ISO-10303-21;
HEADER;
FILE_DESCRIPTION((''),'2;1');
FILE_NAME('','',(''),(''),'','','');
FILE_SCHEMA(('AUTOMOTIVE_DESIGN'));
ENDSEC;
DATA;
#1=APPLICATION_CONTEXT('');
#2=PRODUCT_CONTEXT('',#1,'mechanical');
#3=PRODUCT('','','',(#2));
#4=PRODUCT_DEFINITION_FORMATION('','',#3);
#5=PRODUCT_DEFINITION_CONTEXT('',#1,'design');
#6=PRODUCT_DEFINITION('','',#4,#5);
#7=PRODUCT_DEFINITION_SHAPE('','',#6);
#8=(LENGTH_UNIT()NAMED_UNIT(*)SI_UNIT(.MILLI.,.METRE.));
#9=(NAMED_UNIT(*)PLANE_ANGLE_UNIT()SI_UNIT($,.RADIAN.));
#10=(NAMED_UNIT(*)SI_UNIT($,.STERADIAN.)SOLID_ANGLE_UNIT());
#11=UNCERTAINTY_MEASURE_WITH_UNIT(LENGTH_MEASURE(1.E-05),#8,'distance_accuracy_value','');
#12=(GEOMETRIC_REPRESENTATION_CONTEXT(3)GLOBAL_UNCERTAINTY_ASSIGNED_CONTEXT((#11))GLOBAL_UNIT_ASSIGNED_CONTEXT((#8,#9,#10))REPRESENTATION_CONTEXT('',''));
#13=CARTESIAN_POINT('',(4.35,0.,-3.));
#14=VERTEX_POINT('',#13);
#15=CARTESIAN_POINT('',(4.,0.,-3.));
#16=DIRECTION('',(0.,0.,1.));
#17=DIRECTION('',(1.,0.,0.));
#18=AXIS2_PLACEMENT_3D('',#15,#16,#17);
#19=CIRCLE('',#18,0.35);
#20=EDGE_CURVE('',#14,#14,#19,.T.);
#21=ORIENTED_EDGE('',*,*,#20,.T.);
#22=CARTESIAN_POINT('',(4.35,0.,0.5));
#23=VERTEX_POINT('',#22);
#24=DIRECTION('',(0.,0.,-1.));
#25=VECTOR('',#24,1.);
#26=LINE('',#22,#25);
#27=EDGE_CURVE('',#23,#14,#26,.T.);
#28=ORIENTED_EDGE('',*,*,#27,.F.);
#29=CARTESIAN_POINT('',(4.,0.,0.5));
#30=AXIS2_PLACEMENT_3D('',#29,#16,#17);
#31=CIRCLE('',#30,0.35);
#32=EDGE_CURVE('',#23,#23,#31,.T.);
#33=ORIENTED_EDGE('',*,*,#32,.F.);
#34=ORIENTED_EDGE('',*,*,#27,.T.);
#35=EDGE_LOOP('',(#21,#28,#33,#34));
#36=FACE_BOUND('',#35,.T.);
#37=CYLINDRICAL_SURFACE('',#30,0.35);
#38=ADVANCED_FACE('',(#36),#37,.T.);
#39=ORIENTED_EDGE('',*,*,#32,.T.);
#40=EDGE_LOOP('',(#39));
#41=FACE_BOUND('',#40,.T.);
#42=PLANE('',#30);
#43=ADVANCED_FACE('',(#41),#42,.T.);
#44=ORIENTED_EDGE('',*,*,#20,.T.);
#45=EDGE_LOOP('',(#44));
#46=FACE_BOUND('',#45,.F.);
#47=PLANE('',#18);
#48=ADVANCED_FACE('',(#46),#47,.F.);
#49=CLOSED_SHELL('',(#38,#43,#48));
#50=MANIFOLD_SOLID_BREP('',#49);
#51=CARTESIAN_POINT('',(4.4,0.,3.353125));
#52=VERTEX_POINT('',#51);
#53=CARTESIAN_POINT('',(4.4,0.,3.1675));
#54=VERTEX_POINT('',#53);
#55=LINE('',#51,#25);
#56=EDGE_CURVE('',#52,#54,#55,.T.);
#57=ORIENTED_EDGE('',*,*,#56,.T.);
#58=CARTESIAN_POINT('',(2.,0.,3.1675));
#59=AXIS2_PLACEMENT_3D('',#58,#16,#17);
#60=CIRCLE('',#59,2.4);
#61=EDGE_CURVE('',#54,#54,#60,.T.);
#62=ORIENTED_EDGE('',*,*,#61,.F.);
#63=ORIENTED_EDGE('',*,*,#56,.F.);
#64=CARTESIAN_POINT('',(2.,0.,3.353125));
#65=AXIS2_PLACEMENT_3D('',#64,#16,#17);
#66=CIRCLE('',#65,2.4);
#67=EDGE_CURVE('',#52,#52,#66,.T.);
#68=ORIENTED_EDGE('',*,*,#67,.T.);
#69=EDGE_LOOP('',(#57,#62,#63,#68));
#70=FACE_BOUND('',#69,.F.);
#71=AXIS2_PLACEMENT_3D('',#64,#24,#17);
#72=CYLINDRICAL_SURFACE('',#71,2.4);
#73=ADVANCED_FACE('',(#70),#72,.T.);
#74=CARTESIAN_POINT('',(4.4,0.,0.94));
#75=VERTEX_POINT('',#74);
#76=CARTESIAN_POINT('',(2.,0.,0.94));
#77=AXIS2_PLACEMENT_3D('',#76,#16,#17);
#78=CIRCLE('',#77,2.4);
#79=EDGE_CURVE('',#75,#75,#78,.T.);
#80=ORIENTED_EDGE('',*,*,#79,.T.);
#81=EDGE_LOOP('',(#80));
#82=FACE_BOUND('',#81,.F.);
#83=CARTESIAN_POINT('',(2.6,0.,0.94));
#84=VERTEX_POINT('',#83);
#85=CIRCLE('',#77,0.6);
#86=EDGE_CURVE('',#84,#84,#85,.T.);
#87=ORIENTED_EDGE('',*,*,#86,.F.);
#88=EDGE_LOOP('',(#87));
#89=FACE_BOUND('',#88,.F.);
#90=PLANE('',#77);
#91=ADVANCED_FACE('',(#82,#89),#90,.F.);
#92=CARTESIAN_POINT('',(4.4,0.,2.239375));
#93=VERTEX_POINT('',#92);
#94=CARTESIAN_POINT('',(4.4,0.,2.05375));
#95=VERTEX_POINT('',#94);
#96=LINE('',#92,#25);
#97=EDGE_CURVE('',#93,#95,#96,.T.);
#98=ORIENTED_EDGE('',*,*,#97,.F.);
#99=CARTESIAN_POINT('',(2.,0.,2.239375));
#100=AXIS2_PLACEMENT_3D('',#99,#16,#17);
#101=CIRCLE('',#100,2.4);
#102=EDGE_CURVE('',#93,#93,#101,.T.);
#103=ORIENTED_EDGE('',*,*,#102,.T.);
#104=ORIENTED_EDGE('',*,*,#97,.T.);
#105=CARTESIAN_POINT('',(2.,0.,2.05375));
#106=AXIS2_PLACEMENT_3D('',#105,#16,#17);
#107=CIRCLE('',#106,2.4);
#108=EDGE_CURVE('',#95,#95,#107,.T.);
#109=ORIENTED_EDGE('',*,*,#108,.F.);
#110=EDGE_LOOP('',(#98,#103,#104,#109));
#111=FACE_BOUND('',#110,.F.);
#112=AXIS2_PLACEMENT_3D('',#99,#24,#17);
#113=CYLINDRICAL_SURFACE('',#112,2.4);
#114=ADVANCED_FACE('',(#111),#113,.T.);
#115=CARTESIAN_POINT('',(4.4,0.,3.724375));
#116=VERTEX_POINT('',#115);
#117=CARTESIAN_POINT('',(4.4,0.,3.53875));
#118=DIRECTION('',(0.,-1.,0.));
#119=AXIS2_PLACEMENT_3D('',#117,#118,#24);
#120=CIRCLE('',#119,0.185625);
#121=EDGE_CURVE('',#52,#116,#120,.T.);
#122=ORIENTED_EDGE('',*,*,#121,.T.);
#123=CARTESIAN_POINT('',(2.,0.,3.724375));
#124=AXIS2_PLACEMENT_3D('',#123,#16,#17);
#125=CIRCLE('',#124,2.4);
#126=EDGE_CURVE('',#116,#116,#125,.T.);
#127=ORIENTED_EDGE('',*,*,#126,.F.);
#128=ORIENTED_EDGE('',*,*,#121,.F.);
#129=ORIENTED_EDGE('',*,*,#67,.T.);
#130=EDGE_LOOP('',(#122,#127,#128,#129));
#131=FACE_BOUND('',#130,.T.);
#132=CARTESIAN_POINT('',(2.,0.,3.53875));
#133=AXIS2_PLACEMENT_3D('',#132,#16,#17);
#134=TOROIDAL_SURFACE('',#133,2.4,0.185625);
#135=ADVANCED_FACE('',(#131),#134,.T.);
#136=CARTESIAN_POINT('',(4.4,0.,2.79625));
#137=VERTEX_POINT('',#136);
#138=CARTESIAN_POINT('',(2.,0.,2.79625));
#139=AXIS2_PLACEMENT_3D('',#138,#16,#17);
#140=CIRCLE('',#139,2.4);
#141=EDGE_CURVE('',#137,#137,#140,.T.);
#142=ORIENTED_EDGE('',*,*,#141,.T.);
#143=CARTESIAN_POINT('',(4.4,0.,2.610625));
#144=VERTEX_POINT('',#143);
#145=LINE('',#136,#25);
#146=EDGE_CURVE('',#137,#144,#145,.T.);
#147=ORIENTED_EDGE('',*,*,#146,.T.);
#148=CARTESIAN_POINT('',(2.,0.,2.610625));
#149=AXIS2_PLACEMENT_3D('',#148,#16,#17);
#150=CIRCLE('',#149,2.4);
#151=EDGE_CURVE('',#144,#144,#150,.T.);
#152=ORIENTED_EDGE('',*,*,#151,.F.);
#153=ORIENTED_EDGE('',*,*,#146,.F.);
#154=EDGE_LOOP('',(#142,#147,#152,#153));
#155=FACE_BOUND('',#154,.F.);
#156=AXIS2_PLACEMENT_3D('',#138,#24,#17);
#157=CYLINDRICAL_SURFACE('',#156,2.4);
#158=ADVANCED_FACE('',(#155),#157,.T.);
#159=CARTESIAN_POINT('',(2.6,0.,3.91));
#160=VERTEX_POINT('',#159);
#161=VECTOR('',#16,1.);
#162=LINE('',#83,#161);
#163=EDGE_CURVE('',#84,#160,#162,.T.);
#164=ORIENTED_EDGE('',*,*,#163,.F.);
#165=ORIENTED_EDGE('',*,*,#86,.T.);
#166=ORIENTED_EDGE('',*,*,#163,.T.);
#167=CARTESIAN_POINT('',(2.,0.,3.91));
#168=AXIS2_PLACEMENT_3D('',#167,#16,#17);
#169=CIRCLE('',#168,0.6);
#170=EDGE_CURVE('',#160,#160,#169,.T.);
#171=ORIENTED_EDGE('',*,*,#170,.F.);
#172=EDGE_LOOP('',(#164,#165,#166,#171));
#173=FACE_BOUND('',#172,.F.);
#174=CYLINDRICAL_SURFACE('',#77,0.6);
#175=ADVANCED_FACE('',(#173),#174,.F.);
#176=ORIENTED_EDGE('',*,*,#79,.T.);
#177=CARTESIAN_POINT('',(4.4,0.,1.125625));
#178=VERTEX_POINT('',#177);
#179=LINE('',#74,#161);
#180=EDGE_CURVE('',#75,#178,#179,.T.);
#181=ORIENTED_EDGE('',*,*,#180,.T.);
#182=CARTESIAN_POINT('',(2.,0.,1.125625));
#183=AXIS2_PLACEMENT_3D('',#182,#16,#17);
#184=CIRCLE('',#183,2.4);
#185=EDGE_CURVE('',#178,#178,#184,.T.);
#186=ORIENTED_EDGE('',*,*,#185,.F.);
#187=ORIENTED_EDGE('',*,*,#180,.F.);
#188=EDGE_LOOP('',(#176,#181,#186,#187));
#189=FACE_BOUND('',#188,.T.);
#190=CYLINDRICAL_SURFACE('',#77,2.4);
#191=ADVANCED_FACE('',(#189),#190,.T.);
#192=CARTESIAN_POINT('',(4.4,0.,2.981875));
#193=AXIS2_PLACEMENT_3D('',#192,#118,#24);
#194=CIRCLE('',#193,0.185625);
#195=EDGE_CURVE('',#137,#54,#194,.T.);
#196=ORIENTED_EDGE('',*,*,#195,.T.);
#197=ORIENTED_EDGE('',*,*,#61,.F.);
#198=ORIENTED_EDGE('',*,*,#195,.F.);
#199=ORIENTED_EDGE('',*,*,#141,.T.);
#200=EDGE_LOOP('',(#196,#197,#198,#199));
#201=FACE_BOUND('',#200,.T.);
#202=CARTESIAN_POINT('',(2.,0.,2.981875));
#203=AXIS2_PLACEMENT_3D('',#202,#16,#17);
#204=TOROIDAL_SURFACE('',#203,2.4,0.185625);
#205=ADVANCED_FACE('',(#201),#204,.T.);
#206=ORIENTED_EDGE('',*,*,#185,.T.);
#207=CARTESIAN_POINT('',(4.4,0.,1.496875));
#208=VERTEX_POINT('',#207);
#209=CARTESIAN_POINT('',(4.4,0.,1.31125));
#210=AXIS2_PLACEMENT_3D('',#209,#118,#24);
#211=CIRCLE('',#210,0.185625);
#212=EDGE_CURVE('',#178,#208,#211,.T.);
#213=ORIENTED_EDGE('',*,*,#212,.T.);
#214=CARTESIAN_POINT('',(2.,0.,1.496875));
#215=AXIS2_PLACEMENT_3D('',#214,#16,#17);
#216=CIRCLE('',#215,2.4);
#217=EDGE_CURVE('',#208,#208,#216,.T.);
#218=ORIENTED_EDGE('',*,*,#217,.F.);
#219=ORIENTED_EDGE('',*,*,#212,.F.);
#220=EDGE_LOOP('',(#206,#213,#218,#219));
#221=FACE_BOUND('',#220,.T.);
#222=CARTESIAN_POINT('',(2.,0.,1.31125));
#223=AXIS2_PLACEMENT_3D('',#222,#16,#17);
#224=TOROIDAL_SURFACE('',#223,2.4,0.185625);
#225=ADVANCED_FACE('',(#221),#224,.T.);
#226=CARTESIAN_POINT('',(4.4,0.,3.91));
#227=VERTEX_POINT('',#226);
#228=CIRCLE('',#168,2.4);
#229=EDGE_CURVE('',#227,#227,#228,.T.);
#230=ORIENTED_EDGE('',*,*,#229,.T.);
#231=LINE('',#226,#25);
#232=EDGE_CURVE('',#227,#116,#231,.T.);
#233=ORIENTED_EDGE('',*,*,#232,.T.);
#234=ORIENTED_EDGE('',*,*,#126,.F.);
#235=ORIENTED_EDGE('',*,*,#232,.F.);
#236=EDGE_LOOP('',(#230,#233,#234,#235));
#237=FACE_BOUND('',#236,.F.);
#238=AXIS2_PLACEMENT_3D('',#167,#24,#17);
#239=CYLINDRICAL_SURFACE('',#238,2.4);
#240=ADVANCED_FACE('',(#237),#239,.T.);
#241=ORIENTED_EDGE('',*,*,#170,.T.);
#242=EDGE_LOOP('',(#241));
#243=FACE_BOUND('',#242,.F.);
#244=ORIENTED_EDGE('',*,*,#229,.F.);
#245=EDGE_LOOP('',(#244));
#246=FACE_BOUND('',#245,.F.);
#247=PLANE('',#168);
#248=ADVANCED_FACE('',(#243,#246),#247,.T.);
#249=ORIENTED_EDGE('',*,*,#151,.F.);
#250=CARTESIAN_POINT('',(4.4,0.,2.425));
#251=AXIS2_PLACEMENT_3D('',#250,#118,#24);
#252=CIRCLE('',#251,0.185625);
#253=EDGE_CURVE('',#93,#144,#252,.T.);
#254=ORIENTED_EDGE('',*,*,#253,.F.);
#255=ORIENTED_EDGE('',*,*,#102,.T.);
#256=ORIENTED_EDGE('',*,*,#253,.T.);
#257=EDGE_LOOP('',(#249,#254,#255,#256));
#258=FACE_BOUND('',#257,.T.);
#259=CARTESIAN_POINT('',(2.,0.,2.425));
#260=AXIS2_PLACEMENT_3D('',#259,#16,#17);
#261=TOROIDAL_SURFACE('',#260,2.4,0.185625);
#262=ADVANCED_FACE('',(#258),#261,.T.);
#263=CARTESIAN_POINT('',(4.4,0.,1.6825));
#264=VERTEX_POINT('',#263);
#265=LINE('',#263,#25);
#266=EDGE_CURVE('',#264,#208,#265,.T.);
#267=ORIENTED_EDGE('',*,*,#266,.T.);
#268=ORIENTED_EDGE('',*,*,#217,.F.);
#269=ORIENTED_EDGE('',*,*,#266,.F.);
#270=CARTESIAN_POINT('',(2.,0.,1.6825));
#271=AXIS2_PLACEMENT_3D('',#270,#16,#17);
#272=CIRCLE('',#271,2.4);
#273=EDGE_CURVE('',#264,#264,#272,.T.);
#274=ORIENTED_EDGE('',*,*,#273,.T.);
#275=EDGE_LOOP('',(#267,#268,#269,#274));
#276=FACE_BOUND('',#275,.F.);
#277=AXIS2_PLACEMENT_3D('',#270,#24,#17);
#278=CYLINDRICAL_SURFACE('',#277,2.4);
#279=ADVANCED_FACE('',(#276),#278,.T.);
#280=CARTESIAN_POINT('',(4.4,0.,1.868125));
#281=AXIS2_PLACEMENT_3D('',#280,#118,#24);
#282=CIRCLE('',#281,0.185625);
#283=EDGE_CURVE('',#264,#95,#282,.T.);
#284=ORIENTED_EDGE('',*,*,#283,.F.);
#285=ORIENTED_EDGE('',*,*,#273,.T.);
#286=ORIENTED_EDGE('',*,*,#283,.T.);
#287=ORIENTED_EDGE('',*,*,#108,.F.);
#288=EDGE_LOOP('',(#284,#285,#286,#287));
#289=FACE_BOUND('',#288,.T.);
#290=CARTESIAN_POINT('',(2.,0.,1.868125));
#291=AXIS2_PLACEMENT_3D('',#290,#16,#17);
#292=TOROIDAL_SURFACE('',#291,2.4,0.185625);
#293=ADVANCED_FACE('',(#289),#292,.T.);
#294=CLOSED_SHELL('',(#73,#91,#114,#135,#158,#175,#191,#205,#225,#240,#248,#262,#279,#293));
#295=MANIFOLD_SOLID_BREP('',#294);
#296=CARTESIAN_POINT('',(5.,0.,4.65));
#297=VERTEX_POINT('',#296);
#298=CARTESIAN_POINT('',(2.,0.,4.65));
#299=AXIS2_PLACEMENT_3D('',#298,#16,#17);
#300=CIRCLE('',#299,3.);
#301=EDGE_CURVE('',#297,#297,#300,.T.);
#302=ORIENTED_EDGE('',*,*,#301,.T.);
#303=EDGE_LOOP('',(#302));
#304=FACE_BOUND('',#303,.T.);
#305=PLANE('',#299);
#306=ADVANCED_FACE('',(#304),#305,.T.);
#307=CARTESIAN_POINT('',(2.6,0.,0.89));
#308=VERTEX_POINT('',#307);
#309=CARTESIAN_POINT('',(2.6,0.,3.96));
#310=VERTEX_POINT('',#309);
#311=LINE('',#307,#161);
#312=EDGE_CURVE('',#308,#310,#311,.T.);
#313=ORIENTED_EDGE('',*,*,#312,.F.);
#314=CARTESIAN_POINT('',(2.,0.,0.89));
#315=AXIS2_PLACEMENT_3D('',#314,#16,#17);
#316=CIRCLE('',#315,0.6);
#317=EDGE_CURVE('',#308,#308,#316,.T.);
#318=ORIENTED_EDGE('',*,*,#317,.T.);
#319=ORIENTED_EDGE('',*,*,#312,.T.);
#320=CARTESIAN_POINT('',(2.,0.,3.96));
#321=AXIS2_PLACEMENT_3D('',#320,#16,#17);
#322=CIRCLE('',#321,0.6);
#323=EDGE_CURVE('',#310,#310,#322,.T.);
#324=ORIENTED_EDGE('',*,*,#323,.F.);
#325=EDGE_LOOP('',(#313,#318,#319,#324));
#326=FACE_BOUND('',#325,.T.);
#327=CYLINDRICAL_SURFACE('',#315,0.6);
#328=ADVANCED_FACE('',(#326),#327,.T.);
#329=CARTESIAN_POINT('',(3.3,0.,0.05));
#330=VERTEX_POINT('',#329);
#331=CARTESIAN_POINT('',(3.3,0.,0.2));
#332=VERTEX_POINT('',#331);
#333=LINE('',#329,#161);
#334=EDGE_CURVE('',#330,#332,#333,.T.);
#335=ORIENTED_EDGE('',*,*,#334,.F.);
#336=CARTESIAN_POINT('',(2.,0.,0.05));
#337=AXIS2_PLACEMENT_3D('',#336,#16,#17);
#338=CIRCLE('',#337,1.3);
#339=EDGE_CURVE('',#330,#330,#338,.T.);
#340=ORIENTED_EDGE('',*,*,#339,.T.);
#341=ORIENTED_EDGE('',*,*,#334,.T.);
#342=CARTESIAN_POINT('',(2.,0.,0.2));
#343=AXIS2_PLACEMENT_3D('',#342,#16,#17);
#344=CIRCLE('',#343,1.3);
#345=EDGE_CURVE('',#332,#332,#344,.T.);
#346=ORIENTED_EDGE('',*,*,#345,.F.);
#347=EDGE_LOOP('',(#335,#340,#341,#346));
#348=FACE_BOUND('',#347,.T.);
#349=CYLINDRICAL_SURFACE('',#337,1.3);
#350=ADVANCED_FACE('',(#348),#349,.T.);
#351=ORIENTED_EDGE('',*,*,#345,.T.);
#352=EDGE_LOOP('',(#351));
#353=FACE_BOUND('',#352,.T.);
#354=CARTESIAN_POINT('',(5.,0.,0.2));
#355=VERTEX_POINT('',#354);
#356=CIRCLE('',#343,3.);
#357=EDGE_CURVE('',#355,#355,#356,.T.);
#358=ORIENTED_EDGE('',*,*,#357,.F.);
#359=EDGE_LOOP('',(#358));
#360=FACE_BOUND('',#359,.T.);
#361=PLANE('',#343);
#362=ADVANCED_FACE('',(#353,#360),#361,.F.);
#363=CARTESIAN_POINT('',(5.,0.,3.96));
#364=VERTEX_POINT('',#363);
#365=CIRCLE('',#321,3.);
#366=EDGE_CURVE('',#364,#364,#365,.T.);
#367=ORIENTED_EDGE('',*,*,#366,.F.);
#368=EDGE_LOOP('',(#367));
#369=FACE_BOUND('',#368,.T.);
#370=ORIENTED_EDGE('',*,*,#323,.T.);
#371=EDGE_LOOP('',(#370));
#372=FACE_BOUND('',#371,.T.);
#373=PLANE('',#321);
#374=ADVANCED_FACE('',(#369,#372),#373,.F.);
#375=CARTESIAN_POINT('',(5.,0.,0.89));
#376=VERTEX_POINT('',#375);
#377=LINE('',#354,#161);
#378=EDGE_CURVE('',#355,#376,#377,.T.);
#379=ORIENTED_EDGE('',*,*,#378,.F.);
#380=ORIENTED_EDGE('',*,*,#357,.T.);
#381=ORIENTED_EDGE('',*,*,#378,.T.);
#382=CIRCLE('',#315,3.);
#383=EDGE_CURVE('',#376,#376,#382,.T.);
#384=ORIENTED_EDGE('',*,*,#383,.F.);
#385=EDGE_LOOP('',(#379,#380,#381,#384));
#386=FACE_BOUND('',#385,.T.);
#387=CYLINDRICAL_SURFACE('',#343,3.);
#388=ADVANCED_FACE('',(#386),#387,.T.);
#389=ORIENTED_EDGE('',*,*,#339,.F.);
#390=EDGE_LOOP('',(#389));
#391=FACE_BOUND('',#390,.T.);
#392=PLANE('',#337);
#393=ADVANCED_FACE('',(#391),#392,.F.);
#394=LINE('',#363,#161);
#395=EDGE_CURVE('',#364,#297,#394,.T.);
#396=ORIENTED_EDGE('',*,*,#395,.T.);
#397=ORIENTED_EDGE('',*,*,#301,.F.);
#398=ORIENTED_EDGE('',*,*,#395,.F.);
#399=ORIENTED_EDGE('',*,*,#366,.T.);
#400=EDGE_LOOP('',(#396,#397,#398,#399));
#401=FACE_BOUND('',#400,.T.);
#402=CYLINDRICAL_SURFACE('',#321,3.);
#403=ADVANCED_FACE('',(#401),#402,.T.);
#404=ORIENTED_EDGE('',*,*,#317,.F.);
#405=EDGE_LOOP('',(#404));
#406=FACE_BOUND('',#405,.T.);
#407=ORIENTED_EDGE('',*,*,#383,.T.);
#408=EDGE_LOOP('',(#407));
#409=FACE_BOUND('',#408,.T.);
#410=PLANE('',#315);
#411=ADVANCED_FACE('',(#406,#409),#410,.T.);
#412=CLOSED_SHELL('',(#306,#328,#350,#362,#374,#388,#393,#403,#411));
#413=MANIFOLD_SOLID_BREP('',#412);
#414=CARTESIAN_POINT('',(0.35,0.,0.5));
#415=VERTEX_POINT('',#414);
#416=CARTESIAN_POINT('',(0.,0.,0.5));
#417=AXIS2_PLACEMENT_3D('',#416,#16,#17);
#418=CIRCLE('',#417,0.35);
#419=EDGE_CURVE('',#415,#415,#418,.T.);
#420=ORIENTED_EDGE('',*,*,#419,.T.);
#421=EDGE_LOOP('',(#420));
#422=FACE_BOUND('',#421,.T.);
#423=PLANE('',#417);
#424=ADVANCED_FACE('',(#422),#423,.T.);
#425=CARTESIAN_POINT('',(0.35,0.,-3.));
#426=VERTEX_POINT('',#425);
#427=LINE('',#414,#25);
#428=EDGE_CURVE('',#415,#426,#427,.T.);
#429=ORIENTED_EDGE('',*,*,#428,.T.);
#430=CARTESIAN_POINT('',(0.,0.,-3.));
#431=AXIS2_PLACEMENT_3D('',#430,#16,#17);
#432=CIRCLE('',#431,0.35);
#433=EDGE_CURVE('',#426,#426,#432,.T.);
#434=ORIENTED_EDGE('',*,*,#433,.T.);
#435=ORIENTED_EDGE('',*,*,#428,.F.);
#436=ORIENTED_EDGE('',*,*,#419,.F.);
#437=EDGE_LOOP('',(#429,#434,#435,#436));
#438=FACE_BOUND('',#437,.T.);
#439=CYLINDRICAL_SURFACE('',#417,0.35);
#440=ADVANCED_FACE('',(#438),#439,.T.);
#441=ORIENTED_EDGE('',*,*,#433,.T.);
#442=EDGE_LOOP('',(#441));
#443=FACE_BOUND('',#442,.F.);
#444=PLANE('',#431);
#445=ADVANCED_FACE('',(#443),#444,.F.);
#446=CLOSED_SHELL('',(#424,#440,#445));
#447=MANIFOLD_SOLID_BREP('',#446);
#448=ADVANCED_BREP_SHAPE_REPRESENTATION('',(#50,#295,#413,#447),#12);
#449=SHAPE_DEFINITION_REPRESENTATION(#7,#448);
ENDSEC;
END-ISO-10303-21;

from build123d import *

# Parameters (mm, degrees)
SKETCH001_R  = 0.35
PAD001_DEPTH = 3.5


with BuildPart() as pad001:
    # Sketch001 → Pad001 (new body)
    with BuildSketch(Plane.XY.offset(0.5)):
        Circle(SKETCH001_R)
        with Locations((4, 0)):
            Circle(SKETCH001_R)
    extrude(amount=-PAD001_DEPTH)


with BuildPart() as revolution:
    # Sketch → Revolution (revolve)
    with BuildSketch(Plane(origin=(2, 0, 0), x_dir=(1, 0, 0), z_dir=(0, -1, 0))):
        Polygon((0, 0.05), (1.3, 0.05), (1.3, 0.2), (3, 0.2), (3, 0.89), (0.6, 0.89), (0.6, 3.96), (3, 3.96), (3, 4.65), (0, 4.65), align=None)
    revolve(axis=Axis((2, 0, 0), (0, 0, 1)))


with BuildPart() as revolution001:
    # Sketch002 → Revolution001 (revolve)
    with BuildSketch(Plane(origin=(2, 0, 0), x_dir=(1, 0, 0), z_dir=(0, -1, 0))):
        with BuildLine():
            Line((2.4, 0.94), (0.6, 0.94))
            Line((0.6, 0.94), (0.6, 3.91))
            Line((0.6, 3.91), (2.4, 3.91))
            Line((2.4, 3.91), (2.4, 3.724375))
            ThreePointArc((2.4, 3.353125), (2.585625, 3.53875), (2.4, 3.724375))
            Line((2.4, 3.353125), (2.4, 3.1675))
            ThreePointArc((2.4, 2.79625), (2.585625, 2.981875), (2.4, 3.1675))
            Line((2.4, 2.79625), (2.4, 2.610625))
            ThreePointArc((2.4, 2.239375), (2.585625, 2.425), (2.4, 2.610625))
            Line((2.4, 2.239375), (2.4, 2.05375))
            ThreePointArc((2.4, 1.6825), (2.585625, 1.868125), (2.4, 2.05375))
            Line((2.4, 1.6825), (2.4, 1.496875))
            ThreePointArc((2.4, 1.125625), (2.585625, 1.31125), (2.4, 1.496875))
            Line((2.4, 0.94), (2.4, 1.125625))
        make_face()
    revolve(axis=Axis((2, 0, 0), (0, 0, 1)))


solid = Compound([pad001.part, revolution.part, revolution001.part])
